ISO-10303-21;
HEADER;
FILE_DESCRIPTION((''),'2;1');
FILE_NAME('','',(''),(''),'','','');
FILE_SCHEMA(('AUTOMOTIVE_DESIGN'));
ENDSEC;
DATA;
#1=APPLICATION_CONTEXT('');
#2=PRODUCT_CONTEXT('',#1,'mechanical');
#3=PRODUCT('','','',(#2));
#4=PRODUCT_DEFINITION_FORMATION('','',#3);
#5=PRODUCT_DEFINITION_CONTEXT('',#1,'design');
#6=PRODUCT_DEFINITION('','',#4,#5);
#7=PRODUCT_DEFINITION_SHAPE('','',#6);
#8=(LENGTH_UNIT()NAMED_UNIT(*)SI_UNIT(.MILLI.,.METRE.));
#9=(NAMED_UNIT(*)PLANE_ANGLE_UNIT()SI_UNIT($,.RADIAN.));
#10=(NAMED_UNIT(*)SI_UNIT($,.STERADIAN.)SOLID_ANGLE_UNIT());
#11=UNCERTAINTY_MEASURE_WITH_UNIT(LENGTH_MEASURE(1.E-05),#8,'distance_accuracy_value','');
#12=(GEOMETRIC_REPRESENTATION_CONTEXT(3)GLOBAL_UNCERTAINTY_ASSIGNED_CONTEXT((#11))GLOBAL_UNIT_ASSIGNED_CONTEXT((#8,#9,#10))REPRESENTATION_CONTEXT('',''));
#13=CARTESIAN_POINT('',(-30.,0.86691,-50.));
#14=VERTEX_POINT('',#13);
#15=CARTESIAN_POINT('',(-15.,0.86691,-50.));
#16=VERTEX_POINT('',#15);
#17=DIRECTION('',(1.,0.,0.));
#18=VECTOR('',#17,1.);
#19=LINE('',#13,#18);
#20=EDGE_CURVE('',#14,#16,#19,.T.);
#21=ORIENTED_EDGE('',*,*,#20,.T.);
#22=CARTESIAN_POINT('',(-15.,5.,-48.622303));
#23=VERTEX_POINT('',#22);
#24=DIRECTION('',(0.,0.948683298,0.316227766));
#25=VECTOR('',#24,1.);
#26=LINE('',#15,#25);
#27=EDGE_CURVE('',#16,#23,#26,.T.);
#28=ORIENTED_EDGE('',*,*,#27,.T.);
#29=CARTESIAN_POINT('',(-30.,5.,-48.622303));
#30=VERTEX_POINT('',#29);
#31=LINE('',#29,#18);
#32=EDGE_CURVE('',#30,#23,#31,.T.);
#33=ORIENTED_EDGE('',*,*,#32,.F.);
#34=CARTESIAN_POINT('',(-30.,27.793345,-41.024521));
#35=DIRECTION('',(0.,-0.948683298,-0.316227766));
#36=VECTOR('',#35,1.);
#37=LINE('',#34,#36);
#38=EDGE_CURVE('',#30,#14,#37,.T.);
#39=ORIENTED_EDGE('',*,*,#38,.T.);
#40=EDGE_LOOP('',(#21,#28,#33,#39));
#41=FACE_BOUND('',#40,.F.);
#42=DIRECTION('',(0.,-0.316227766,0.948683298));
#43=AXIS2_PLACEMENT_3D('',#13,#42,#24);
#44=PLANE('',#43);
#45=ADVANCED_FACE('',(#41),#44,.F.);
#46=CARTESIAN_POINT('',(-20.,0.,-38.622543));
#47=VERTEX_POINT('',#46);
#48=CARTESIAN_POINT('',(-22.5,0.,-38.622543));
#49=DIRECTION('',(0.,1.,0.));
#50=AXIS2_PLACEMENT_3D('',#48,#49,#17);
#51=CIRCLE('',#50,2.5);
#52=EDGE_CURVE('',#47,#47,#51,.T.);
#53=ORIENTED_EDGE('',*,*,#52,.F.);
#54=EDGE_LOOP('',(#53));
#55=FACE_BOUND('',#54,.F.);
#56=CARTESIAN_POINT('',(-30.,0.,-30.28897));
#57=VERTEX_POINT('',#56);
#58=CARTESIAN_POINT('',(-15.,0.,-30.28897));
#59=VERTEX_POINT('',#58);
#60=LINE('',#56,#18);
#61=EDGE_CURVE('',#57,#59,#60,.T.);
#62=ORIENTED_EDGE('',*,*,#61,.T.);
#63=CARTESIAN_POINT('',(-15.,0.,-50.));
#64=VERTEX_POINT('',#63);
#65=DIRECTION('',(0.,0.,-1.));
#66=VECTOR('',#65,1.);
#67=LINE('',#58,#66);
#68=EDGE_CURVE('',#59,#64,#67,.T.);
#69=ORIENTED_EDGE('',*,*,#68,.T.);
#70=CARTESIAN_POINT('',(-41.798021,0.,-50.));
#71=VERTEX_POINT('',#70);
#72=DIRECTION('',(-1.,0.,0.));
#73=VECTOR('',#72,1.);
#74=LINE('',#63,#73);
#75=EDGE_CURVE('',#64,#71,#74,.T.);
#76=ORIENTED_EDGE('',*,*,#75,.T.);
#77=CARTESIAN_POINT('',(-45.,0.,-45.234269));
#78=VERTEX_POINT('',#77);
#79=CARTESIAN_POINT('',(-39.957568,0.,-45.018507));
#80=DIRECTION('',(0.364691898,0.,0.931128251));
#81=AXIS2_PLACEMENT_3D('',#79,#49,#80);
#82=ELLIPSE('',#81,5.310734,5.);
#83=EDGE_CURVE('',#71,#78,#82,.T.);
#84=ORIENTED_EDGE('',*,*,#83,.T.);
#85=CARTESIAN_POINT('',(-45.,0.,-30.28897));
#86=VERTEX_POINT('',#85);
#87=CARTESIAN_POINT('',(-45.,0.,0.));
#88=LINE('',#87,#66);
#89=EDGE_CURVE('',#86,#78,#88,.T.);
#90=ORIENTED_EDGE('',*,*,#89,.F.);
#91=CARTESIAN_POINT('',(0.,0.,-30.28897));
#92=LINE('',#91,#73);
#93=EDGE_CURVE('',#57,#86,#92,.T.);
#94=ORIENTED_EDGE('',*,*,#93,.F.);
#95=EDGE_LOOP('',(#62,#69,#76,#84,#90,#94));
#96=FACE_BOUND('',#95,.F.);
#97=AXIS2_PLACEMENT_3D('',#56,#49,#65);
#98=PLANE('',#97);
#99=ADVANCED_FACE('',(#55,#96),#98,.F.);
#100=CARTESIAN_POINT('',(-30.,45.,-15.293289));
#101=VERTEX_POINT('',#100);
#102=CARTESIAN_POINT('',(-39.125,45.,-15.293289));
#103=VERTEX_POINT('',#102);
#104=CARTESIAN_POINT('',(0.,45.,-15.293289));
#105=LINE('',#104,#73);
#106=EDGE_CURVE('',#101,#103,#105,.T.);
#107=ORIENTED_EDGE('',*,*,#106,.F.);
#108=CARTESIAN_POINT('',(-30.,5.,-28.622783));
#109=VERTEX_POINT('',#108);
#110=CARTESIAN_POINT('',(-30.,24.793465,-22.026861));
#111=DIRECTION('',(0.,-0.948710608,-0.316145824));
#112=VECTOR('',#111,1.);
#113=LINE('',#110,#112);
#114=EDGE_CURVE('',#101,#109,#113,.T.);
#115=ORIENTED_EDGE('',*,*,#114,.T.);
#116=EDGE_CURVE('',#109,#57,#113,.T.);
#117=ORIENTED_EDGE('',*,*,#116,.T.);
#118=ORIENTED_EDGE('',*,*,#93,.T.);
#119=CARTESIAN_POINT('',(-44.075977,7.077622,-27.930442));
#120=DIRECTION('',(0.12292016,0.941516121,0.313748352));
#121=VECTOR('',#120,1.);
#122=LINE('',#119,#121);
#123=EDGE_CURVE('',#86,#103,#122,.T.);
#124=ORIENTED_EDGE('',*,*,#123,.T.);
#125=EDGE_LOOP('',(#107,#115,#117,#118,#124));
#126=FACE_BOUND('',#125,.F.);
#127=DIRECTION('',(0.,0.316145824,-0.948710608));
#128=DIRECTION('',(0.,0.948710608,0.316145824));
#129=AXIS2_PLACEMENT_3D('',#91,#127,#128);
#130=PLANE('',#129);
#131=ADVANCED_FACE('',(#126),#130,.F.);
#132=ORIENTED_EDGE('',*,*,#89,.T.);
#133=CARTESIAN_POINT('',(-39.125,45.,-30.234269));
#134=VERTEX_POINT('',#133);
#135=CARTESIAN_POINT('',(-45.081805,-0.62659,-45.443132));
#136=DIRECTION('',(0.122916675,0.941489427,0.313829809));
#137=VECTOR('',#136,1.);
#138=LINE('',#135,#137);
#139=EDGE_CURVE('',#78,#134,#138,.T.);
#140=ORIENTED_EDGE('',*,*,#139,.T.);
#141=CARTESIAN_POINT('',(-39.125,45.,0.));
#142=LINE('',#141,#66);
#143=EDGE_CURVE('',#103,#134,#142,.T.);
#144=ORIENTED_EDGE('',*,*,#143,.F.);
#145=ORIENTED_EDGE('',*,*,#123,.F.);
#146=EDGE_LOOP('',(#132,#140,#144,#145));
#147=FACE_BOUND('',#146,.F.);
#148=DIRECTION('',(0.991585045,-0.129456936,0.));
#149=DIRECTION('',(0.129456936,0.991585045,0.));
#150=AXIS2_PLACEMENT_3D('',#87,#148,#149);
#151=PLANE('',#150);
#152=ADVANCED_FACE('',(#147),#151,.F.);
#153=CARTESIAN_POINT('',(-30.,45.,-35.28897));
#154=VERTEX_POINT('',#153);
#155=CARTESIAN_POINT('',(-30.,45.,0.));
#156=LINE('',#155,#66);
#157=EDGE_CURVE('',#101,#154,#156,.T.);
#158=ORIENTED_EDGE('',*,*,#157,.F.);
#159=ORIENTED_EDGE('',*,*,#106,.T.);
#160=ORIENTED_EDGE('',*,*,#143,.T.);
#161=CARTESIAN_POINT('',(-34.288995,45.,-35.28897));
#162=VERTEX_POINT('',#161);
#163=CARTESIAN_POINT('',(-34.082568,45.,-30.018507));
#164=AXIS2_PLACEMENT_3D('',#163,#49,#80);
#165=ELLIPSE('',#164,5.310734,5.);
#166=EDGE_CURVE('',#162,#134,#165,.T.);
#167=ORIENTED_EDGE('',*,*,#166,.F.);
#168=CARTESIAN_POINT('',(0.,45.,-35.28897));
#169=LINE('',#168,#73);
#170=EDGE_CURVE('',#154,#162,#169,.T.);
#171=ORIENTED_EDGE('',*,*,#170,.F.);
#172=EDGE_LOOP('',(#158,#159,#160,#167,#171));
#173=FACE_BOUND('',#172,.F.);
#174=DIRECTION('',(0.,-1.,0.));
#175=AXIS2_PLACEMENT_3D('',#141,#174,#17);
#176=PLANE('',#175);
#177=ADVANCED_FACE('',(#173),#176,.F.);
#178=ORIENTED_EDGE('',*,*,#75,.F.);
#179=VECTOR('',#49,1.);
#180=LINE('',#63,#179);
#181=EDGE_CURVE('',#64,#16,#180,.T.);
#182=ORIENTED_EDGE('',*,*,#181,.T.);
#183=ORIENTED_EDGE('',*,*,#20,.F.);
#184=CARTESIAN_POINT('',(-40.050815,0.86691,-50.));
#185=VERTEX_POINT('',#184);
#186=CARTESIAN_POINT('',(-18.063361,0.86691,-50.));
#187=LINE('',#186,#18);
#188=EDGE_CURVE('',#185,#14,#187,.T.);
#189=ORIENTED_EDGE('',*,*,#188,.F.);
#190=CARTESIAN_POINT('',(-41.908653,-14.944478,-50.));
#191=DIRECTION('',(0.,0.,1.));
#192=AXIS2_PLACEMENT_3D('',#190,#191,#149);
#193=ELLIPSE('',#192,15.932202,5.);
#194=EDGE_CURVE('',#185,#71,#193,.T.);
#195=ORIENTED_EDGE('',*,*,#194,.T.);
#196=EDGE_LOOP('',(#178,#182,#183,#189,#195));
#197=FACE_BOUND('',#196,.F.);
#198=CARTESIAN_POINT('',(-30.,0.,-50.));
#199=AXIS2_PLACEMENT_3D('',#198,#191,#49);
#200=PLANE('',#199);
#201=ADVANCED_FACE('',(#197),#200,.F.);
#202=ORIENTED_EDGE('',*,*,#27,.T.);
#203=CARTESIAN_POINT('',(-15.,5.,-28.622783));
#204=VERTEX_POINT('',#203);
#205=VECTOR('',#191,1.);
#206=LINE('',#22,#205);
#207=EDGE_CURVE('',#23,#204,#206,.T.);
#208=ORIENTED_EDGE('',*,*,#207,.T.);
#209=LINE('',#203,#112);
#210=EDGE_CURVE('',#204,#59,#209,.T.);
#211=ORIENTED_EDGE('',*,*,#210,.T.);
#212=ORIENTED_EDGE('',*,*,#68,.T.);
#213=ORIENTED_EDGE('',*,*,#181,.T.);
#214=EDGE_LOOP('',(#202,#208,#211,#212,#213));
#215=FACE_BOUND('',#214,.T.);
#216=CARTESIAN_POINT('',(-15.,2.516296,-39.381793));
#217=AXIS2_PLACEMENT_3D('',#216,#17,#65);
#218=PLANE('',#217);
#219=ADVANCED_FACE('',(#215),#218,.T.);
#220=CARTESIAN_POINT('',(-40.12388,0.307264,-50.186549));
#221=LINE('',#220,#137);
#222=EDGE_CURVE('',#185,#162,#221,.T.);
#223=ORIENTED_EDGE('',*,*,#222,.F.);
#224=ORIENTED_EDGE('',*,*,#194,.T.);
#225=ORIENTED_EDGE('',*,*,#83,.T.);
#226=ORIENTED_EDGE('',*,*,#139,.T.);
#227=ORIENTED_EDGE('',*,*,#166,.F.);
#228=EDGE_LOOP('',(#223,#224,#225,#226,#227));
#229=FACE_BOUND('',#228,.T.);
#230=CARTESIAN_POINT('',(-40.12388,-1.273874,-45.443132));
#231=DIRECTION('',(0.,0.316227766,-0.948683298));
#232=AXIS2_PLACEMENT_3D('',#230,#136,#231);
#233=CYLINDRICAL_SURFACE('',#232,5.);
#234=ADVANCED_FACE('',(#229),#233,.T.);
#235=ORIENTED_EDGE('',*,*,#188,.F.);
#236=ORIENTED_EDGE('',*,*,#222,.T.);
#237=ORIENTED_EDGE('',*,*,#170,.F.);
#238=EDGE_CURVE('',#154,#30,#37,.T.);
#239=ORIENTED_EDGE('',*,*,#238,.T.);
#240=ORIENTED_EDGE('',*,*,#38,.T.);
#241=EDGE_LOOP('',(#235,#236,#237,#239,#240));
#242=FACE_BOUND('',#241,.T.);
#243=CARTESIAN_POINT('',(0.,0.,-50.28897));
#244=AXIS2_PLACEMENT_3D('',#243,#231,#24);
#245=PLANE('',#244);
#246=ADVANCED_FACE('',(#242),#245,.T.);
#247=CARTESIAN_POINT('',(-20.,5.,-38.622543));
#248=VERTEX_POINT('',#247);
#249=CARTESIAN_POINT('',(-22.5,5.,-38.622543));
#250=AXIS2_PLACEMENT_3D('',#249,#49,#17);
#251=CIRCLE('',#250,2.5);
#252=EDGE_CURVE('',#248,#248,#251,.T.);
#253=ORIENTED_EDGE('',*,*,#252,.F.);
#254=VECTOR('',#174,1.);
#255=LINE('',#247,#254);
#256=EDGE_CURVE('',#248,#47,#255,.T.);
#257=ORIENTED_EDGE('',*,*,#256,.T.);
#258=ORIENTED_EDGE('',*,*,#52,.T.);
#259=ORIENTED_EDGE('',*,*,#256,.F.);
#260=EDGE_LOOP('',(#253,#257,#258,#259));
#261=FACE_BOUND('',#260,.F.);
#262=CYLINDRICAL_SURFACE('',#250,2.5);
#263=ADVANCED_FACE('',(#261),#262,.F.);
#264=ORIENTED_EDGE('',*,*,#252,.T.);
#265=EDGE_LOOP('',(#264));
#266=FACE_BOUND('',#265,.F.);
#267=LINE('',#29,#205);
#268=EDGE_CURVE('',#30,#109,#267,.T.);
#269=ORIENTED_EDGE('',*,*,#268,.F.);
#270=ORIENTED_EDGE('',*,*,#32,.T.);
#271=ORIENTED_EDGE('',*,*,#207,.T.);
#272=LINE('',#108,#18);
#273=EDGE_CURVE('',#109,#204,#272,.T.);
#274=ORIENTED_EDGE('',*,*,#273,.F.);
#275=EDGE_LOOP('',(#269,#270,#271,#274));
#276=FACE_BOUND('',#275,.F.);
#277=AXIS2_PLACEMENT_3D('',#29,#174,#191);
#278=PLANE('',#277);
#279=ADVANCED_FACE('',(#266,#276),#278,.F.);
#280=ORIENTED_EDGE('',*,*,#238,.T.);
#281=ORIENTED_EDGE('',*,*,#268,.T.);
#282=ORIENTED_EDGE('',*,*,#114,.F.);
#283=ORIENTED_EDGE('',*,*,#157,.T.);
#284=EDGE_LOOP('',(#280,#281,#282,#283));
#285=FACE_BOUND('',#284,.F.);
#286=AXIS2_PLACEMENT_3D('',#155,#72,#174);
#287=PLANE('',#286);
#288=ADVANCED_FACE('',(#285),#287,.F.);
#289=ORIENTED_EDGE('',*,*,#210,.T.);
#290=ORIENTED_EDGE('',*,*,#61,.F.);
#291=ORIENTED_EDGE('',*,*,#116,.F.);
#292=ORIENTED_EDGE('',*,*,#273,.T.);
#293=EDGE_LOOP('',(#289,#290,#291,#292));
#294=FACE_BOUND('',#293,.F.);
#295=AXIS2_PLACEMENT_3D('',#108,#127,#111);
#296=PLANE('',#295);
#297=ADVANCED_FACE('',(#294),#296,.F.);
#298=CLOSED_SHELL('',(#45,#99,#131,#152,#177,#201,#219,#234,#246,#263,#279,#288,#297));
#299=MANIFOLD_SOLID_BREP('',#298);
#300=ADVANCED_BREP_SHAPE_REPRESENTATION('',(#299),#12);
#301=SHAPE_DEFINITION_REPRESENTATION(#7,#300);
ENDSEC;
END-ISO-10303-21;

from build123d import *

# Parameters (mm, degrees)
EXTRUDE_8_DEPTH     = 50
CUT_EXTRUDE_3_DEPTH = 60
EXTRUDE_5_DEPTH     = 15
SKETCH_6_R          = 2.5
CUT_EXTRUDE_4_DEPTH = 15
FILLET_3_R          = 5


with BuildPart() as part:
    # Эскиз2 → Бобышка-Вытянуть8 (new body)
    with BuildSketch(Plane.XY):
        Polygon((-39.125, 45), (-30, 45), (-30, 0), (-45, 0), align=None)
    extrude(amount=-EXTRUDE_8_DEPTH)

    # Эскиз4 → Вырез-Вытянуть3 (cut)
    with BuildSketch(Plane(origin=(0, 0, 0), x_dir=(0, 0, -1), z_dir=(1, 0, 0))):
        Polygon((50.288969981, 0), (35.288969981, 45), (50, 45), align=None)
        Polygon((0, 45), (0, 0), (30.288969981, 0), (15.293288519, 45), align=None)
    extrude(amount=-CUT_EXTRUDE_3_DEPTH, mode=Mode.SUBTRACT)

    # Эскиз5 → Бобышка-Вытянуть5 (add)
    with BuildSketch(Plane(origin=(-30, 0, 0), x_dir=(0, 0, -1), z_dir=(1, 0, 0))):
        Polygon((50, 0), (50, 0.866909943), (48.622303314, 5), (28.622783152, 5), (30.288969981, 0), align=None)
    extrude(amount=EXTRUDE_5_DEPTH)

    # Эскиз6 → Вырез-Вытянуть4 (cut)
    with BuildSketch(Plane(origin=(0, 5, 0), x_dir=(1, 0, 0), z_dir=(0, 1, 0))):
        with Locations((-22.5, 38.622543233)):
            Circle(SKETCH_6_R)
    extrude(amount=-CUT_EXTRUDE_4_DEPTH, mode=Mode.SUBTRACT)

    # Скругление3
    fillet_3_edges = [part.edges().sort_by_distance(p)[0] for p in [
        (-42.005910045, 22.933454971, -42.64448499),
    ]]
    fillet(fillet_3_edges, radius=FILLET_3_R)


solid = part.part
